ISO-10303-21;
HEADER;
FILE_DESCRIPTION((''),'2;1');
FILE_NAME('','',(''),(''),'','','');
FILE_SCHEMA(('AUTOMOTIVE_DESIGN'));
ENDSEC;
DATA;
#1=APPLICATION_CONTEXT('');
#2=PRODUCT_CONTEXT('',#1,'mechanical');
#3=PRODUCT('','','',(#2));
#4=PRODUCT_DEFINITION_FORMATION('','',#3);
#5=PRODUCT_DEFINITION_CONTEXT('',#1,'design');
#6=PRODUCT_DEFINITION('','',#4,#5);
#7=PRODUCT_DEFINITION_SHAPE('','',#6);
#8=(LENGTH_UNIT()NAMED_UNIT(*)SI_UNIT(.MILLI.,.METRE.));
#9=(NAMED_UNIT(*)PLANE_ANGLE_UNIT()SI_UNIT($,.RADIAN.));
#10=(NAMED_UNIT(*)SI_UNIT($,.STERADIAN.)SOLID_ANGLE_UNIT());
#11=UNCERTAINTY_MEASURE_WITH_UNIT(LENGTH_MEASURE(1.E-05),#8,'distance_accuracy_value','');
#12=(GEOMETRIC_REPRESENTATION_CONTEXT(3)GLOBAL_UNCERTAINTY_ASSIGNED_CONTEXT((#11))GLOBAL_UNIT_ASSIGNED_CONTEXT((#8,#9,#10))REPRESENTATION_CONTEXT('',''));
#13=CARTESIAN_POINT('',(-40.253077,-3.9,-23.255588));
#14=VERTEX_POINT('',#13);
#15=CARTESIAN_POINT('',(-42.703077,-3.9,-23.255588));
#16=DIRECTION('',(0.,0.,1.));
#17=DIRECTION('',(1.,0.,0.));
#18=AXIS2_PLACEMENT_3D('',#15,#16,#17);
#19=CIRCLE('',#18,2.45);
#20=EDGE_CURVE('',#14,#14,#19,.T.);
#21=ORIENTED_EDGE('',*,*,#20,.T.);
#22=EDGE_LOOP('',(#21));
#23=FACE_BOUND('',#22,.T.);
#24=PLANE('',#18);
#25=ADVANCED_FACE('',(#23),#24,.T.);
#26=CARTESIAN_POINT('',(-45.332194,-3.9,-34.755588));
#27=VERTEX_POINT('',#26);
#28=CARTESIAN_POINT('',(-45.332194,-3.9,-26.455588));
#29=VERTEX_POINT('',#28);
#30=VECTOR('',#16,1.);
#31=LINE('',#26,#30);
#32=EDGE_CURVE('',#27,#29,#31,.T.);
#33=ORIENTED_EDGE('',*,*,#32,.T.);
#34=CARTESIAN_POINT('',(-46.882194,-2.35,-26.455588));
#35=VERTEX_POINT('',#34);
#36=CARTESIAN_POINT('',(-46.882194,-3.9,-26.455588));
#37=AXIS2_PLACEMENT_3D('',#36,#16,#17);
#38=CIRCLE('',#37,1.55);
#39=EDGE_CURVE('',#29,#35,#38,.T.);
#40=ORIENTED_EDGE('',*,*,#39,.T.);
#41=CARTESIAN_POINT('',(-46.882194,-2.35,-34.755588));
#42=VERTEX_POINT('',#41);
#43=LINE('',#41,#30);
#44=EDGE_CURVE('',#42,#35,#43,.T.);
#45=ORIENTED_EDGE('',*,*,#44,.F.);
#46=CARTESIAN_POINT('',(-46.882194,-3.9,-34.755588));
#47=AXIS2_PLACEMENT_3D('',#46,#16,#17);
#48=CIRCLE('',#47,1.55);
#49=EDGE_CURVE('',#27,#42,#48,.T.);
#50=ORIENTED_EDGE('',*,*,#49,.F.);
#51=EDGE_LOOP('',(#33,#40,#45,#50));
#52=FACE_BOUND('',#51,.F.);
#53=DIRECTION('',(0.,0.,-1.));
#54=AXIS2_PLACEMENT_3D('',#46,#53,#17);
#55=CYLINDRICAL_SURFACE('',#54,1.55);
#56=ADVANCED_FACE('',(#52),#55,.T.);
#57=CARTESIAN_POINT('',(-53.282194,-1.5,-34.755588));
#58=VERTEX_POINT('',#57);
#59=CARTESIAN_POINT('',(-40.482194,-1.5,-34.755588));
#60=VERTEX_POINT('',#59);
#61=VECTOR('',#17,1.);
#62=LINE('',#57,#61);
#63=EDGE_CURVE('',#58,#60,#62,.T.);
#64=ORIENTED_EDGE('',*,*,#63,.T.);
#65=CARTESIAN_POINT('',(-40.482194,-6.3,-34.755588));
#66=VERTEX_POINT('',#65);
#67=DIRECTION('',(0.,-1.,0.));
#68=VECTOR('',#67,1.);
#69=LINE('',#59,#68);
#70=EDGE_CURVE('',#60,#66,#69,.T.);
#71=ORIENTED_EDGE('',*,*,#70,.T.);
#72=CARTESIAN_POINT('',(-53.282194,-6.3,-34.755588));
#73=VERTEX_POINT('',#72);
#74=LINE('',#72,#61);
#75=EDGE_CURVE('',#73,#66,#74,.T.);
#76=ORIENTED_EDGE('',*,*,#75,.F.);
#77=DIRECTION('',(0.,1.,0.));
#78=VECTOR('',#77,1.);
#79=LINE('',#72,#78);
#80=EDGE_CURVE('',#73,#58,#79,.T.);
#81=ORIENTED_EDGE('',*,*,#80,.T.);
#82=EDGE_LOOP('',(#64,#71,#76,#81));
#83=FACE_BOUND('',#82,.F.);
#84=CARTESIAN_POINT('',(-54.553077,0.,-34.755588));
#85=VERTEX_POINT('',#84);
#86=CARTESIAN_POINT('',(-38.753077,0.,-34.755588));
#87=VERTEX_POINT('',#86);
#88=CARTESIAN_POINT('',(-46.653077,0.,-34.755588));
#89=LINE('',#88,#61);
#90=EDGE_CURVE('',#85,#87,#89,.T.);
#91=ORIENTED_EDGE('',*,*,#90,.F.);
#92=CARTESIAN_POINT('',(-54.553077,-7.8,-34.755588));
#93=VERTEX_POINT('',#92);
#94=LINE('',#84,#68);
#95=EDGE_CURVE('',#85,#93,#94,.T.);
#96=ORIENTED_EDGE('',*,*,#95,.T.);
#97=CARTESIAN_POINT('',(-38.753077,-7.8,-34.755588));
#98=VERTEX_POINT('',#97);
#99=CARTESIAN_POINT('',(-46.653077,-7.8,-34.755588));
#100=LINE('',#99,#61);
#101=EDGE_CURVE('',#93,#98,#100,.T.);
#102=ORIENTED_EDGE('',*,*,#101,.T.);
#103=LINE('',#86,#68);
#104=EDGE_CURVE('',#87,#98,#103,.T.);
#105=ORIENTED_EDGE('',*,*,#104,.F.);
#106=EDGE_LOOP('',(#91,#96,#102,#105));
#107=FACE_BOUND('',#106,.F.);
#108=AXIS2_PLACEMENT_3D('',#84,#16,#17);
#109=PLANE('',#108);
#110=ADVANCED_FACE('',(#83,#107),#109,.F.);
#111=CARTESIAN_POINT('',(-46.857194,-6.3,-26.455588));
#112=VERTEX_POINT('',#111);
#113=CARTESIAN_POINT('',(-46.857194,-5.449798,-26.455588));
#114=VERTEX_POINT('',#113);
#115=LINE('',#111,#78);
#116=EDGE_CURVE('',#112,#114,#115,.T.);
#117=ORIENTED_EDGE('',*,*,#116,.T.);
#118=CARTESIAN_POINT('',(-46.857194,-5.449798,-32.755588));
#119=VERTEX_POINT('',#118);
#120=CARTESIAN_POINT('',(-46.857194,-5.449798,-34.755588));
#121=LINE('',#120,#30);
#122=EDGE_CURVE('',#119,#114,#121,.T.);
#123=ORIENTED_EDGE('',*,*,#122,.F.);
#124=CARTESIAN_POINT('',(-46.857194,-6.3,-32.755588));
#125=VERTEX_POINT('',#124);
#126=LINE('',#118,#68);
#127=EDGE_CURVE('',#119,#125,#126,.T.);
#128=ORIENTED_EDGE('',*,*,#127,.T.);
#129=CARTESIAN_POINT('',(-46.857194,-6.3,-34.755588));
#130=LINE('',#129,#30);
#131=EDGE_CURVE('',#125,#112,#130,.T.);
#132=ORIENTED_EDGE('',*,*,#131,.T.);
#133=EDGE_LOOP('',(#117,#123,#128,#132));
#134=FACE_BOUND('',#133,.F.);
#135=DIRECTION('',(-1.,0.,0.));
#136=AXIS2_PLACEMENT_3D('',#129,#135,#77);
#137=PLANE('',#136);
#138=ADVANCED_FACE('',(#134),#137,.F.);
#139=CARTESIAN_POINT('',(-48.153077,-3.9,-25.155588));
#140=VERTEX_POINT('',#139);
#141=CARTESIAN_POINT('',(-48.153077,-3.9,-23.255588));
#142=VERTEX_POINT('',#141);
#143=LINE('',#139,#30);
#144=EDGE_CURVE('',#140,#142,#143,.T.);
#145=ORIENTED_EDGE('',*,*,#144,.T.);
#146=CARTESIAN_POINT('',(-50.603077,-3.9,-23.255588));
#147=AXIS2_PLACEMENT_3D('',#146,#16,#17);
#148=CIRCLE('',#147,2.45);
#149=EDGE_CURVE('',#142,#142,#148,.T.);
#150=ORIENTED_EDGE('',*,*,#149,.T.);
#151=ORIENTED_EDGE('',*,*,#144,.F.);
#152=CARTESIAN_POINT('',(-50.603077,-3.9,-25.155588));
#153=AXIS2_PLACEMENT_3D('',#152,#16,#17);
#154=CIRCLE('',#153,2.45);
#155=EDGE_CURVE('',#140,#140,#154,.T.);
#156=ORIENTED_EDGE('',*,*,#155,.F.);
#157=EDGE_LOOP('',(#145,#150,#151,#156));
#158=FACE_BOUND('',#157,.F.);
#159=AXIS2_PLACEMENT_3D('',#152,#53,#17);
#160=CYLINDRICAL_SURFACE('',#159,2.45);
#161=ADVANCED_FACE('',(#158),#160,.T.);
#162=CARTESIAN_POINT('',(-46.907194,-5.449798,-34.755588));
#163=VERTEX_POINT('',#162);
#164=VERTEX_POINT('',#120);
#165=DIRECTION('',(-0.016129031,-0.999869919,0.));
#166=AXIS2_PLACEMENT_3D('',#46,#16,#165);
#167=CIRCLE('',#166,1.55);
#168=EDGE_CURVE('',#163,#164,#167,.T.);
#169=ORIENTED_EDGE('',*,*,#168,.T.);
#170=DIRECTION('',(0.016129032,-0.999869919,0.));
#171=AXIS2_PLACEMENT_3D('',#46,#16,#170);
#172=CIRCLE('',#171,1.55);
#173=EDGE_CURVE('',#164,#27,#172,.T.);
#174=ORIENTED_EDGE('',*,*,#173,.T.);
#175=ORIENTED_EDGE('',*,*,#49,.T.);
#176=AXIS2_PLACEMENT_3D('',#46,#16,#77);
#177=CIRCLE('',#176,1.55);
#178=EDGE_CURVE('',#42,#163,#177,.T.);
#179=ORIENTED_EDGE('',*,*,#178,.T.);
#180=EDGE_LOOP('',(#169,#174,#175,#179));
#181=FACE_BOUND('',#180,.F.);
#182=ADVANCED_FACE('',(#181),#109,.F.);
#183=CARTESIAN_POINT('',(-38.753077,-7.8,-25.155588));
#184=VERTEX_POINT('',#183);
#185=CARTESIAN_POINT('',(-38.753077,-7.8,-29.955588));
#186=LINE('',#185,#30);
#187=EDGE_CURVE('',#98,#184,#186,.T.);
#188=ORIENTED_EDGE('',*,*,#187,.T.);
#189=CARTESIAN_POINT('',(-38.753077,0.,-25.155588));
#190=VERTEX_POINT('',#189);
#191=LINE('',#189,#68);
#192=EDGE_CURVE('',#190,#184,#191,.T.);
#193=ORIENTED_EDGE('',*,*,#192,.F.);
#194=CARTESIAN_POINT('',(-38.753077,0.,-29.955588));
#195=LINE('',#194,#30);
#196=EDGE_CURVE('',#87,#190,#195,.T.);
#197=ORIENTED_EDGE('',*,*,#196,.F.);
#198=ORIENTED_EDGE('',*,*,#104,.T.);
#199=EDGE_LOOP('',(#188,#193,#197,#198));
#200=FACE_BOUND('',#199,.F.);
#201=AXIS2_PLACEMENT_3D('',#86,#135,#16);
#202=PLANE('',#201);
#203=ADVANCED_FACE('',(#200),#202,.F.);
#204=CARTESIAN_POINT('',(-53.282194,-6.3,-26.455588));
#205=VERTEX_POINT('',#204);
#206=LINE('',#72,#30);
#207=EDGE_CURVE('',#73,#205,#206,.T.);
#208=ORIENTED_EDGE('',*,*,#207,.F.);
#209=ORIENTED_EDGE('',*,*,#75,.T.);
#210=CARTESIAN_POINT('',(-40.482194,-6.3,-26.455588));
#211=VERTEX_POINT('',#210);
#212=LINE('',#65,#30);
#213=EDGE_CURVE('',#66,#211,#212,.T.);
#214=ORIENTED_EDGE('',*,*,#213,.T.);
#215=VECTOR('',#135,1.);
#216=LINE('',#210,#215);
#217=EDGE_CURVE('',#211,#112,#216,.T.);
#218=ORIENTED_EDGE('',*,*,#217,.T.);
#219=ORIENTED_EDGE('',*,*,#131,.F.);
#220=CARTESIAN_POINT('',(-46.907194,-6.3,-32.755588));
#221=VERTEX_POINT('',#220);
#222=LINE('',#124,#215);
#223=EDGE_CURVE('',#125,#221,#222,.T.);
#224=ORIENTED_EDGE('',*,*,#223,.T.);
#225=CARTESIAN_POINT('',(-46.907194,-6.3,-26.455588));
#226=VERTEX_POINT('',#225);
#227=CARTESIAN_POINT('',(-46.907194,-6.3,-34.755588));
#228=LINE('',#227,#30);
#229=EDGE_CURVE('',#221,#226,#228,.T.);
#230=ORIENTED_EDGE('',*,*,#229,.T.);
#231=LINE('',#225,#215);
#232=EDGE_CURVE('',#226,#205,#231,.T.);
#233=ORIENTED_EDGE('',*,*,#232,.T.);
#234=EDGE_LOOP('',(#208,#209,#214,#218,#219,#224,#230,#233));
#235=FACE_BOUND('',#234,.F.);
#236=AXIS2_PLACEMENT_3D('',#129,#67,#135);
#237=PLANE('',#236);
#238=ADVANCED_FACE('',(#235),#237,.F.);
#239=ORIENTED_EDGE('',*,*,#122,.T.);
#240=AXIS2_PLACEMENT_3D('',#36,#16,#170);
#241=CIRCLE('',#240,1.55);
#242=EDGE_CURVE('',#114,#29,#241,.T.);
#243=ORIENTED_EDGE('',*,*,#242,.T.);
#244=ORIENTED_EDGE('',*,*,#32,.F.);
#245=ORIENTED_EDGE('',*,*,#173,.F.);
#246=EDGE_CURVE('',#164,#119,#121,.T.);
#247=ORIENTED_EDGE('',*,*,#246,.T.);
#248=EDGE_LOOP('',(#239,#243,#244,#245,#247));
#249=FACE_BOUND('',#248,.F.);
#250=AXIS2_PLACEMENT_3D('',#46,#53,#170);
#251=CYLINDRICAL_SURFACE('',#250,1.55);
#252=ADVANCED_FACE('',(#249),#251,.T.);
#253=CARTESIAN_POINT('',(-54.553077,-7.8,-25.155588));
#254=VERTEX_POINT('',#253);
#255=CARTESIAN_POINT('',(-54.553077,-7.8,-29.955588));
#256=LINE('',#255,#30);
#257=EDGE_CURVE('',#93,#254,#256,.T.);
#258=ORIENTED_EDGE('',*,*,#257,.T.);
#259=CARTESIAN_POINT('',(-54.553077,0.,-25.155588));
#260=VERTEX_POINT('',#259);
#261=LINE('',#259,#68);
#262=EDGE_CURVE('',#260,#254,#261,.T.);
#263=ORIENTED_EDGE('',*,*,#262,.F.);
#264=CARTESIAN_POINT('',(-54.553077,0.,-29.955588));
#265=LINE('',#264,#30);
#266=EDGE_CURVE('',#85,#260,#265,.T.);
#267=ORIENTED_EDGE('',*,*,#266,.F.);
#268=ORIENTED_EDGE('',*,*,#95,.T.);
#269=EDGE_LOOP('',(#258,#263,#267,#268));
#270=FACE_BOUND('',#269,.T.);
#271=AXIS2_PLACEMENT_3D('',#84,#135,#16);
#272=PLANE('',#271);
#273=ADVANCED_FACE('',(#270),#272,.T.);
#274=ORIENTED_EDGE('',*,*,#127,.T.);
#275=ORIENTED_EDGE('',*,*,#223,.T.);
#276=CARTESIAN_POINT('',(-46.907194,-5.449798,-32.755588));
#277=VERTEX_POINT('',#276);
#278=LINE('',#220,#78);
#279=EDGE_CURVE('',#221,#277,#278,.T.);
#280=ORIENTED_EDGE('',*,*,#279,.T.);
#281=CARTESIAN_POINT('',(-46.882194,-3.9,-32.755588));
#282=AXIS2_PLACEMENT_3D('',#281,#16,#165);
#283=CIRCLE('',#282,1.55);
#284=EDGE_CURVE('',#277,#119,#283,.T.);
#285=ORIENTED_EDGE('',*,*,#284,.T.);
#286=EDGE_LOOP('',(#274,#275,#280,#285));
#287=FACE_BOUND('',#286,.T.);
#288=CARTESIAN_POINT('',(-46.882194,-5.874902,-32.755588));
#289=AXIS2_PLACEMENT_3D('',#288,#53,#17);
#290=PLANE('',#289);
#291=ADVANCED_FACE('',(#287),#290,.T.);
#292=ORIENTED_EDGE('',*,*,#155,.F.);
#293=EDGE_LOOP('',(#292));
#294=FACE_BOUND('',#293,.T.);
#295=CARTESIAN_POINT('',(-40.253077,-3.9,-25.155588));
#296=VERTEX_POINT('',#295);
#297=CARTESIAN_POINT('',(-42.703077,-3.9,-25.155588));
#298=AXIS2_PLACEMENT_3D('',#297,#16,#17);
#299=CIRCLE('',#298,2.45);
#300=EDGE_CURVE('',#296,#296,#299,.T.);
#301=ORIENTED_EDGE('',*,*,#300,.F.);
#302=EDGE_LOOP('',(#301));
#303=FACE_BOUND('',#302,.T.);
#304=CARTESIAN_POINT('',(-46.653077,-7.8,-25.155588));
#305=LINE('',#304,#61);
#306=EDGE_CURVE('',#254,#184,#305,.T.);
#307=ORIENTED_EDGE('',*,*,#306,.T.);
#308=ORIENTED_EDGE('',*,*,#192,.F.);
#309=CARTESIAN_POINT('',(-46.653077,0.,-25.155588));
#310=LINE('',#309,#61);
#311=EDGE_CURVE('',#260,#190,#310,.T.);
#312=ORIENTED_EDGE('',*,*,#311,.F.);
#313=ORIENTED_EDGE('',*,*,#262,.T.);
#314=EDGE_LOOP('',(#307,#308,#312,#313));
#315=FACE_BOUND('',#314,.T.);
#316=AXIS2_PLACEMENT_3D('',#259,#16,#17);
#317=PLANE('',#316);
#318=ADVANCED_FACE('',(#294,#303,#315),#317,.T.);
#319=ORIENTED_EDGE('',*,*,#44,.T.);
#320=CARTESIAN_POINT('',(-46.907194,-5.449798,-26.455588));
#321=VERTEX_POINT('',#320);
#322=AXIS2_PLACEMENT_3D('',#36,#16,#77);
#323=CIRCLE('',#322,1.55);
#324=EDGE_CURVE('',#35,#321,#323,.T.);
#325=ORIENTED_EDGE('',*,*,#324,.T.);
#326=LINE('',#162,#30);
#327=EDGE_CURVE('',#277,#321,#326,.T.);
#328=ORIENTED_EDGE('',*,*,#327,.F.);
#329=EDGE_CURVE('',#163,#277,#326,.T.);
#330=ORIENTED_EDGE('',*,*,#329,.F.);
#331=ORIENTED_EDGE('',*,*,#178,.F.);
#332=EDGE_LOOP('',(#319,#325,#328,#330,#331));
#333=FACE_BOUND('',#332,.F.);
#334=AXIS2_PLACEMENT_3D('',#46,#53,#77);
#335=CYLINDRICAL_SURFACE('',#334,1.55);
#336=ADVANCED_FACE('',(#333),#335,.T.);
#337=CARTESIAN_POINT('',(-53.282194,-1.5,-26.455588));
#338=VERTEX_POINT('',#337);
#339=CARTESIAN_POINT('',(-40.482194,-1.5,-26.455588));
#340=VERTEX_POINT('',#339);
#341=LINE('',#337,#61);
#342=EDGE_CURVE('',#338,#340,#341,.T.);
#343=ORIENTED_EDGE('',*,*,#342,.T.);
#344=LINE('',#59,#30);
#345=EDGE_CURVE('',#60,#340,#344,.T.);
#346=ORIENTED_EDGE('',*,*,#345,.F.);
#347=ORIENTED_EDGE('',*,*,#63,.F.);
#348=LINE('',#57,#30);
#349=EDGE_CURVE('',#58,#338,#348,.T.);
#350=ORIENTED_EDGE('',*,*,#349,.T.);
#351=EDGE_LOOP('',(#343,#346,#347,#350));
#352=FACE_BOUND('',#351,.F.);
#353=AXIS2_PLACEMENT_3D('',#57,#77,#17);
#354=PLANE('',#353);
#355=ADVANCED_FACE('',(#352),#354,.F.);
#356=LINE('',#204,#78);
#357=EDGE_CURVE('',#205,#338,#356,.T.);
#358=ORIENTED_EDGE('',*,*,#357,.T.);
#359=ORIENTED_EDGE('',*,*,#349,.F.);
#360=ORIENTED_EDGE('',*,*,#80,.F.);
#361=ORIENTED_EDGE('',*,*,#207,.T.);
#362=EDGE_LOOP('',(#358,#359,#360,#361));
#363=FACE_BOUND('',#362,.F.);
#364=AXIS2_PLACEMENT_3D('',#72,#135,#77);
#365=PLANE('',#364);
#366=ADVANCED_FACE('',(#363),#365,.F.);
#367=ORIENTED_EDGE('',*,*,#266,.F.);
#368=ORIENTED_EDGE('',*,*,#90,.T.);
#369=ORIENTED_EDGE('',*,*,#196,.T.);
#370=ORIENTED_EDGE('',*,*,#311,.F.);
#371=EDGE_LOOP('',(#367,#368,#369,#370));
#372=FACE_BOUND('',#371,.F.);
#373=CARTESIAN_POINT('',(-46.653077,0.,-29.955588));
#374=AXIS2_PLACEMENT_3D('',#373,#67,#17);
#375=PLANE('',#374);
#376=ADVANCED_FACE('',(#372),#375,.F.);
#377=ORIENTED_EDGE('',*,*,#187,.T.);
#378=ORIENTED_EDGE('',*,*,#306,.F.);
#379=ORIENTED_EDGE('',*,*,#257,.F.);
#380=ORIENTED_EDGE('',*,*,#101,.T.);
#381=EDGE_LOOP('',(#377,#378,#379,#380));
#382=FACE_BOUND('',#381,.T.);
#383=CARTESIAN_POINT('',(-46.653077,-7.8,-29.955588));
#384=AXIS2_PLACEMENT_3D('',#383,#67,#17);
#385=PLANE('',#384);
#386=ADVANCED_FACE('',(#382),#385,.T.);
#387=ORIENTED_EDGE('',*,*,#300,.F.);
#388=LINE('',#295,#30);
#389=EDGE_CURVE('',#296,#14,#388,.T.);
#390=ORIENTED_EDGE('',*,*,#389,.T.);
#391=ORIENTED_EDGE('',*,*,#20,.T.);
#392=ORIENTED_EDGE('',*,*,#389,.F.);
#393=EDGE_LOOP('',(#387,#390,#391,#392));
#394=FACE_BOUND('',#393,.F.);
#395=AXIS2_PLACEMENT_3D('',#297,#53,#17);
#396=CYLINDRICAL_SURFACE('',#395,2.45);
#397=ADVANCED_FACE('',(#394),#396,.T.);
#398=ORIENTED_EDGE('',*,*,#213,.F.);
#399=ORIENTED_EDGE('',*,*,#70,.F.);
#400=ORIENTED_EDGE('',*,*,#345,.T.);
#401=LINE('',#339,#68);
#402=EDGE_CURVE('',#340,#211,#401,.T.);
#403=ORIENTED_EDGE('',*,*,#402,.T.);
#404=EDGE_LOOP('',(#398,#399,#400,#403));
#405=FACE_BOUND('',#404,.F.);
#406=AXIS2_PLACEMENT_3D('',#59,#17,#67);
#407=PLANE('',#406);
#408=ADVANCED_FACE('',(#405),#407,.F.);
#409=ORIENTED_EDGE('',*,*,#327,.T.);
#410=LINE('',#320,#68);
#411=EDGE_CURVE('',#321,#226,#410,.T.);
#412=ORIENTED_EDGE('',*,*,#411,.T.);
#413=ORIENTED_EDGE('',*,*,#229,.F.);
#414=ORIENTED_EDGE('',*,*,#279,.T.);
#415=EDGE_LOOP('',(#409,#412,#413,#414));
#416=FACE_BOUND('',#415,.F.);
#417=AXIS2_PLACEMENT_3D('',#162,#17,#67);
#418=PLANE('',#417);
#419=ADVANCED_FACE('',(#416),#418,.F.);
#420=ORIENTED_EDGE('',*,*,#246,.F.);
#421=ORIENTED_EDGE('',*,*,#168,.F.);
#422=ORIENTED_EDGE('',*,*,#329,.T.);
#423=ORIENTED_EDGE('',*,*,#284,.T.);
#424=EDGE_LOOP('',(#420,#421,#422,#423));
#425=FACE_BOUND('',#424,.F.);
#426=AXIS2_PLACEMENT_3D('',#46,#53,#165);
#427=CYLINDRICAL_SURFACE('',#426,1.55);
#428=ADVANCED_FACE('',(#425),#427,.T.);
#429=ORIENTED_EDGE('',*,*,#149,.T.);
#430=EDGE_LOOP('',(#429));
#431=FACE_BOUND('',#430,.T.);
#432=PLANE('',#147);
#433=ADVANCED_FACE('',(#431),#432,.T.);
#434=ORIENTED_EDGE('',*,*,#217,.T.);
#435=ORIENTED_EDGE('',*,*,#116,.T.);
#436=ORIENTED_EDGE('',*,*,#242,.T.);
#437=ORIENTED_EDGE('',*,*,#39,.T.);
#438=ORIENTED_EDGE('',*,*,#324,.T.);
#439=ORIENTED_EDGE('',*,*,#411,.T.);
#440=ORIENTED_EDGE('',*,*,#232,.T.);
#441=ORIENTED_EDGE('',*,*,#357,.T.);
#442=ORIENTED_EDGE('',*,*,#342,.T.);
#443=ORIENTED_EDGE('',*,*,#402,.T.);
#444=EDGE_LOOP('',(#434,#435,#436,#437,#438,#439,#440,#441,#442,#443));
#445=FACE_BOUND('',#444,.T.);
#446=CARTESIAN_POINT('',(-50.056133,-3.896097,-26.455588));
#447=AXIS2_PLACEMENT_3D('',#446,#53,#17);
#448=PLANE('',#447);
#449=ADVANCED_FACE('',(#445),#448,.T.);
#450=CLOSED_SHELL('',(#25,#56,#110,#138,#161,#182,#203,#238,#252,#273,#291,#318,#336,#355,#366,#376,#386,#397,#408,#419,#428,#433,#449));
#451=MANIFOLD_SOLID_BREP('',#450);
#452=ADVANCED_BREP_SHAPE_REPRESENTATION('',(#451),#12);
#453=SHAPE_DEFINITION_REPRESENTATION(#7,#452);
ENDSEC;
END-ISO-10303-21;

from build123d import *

# Parameters (mm, degrees)
F0_W     = 15.8
F0_H     = 9.6
F1_DEPTH = 7.8
F2_R     = 2.45
F3_DEPTH = 1.9
F5_DEPTH = 8.3
F6_DEPTH = 2


with BuildPart() as f1:
    # F0 (on Front) → F1 (new body)
    with BuildSketch(Plane.XZ):
        with Locations((-46.6530766249, -29.9555875778)):
            Rectangle(F0_W, F0_H)
    extrude(amount=F1_DEPTH)

    # F2 (on face) → F3 (join)
    with BuildSketch(Plane.XY.offset(-25.1555875778)):
        with Locations((-50.6030766249, -3.9)):
            Circle(F2_R)
        with Locations((-42.7030766249, -3.9)):
            Circle(F2_R)
    extrude(amount=F3_DEPTH)

    # F4 (on face) → F5 (cut)
    with BuildSketch(Plane(origin=(0, 0, -34.7555875778), x_dir=(1, 0, 0), z_dir=(0, 0, -1))):
        with BuildLine():
            Line((-53.2821939588, 6.3), (-53.2821939588, 1.5))
            Line((-53.2821939588, 1.5), (-46.8821939588, 1.5))
            Line((-46.8821939588, 1.5), (-46.8821939588, 1.925))
            Line((-46.8821939588, 1.925), (-46.8821939588, 2.35))
            ThreePointArc((-46.8821939588, 2.35), (-48.4321435514, 3.8874995935), (-46.9071939588, 5.449798374))
            Line((-46.9071939588, 5.449798374), (-46.9071939588, 6.3))
            Line((-46.9071939588, 6.3), (-53.2821939588, 6.3))
        make_face()
        with BuildLine():
            Line((-46.8821939588, 1.925), (-46.8821939588, 1.5))
            Line((-46.8821939588, 1.5), (-40.4821939588, 1.5))
            Line((-40.4821939588, 1.5), (-40.4821939588, 6.3))
            Line((-40.4821939588, 6.3), (-46.8571939588, 6.3))
            Line((-46.8571939588, 6.3), (-46.8571939588, 5.449798374))
            ThreePointArc((-46.8571939588, 5.449798374), (-45.7773749691, 4.9871407453), (-45.3321939588, 3.9))
            ThreePointArc((-45.3321939588, 3.9), (-45.7861784479, 2.8039844892), (-46.8821939588, 2.35))
            Line((-46.8821939588, 2.35), (-46.8821939588, 1.925))
        make_face()
    extrude(amount=-F5_DEPTH, mode=Mode.SUBTRACT)

    # F4 (on face) → F6 (cut)
    with BuildSketch(Plane(origin=(0, 0, -34.7555875778), x_dir=(1, 0, 0), z_dir=(0, 0, -1))):
        with BuildLine():
            Line((-46.8571939588, 6.3), (-46.9071939588, 6.3))
            Line((-46.9071939588, 6.3), (-46.9071939588, 5.449798374))
            ThreePointArc((-46.9071939588, 5.449798374), (-46.8821939588, 5.45), (-46.8571939588, 5.449798374))
            Line((-46.8571939588, 5.449798374), (-46.8571939588, 6.3))
        make_face()
    extrude(amount=-F6_DEPTH, mode=Mode.SUBTRACT)


solid = f1.part
